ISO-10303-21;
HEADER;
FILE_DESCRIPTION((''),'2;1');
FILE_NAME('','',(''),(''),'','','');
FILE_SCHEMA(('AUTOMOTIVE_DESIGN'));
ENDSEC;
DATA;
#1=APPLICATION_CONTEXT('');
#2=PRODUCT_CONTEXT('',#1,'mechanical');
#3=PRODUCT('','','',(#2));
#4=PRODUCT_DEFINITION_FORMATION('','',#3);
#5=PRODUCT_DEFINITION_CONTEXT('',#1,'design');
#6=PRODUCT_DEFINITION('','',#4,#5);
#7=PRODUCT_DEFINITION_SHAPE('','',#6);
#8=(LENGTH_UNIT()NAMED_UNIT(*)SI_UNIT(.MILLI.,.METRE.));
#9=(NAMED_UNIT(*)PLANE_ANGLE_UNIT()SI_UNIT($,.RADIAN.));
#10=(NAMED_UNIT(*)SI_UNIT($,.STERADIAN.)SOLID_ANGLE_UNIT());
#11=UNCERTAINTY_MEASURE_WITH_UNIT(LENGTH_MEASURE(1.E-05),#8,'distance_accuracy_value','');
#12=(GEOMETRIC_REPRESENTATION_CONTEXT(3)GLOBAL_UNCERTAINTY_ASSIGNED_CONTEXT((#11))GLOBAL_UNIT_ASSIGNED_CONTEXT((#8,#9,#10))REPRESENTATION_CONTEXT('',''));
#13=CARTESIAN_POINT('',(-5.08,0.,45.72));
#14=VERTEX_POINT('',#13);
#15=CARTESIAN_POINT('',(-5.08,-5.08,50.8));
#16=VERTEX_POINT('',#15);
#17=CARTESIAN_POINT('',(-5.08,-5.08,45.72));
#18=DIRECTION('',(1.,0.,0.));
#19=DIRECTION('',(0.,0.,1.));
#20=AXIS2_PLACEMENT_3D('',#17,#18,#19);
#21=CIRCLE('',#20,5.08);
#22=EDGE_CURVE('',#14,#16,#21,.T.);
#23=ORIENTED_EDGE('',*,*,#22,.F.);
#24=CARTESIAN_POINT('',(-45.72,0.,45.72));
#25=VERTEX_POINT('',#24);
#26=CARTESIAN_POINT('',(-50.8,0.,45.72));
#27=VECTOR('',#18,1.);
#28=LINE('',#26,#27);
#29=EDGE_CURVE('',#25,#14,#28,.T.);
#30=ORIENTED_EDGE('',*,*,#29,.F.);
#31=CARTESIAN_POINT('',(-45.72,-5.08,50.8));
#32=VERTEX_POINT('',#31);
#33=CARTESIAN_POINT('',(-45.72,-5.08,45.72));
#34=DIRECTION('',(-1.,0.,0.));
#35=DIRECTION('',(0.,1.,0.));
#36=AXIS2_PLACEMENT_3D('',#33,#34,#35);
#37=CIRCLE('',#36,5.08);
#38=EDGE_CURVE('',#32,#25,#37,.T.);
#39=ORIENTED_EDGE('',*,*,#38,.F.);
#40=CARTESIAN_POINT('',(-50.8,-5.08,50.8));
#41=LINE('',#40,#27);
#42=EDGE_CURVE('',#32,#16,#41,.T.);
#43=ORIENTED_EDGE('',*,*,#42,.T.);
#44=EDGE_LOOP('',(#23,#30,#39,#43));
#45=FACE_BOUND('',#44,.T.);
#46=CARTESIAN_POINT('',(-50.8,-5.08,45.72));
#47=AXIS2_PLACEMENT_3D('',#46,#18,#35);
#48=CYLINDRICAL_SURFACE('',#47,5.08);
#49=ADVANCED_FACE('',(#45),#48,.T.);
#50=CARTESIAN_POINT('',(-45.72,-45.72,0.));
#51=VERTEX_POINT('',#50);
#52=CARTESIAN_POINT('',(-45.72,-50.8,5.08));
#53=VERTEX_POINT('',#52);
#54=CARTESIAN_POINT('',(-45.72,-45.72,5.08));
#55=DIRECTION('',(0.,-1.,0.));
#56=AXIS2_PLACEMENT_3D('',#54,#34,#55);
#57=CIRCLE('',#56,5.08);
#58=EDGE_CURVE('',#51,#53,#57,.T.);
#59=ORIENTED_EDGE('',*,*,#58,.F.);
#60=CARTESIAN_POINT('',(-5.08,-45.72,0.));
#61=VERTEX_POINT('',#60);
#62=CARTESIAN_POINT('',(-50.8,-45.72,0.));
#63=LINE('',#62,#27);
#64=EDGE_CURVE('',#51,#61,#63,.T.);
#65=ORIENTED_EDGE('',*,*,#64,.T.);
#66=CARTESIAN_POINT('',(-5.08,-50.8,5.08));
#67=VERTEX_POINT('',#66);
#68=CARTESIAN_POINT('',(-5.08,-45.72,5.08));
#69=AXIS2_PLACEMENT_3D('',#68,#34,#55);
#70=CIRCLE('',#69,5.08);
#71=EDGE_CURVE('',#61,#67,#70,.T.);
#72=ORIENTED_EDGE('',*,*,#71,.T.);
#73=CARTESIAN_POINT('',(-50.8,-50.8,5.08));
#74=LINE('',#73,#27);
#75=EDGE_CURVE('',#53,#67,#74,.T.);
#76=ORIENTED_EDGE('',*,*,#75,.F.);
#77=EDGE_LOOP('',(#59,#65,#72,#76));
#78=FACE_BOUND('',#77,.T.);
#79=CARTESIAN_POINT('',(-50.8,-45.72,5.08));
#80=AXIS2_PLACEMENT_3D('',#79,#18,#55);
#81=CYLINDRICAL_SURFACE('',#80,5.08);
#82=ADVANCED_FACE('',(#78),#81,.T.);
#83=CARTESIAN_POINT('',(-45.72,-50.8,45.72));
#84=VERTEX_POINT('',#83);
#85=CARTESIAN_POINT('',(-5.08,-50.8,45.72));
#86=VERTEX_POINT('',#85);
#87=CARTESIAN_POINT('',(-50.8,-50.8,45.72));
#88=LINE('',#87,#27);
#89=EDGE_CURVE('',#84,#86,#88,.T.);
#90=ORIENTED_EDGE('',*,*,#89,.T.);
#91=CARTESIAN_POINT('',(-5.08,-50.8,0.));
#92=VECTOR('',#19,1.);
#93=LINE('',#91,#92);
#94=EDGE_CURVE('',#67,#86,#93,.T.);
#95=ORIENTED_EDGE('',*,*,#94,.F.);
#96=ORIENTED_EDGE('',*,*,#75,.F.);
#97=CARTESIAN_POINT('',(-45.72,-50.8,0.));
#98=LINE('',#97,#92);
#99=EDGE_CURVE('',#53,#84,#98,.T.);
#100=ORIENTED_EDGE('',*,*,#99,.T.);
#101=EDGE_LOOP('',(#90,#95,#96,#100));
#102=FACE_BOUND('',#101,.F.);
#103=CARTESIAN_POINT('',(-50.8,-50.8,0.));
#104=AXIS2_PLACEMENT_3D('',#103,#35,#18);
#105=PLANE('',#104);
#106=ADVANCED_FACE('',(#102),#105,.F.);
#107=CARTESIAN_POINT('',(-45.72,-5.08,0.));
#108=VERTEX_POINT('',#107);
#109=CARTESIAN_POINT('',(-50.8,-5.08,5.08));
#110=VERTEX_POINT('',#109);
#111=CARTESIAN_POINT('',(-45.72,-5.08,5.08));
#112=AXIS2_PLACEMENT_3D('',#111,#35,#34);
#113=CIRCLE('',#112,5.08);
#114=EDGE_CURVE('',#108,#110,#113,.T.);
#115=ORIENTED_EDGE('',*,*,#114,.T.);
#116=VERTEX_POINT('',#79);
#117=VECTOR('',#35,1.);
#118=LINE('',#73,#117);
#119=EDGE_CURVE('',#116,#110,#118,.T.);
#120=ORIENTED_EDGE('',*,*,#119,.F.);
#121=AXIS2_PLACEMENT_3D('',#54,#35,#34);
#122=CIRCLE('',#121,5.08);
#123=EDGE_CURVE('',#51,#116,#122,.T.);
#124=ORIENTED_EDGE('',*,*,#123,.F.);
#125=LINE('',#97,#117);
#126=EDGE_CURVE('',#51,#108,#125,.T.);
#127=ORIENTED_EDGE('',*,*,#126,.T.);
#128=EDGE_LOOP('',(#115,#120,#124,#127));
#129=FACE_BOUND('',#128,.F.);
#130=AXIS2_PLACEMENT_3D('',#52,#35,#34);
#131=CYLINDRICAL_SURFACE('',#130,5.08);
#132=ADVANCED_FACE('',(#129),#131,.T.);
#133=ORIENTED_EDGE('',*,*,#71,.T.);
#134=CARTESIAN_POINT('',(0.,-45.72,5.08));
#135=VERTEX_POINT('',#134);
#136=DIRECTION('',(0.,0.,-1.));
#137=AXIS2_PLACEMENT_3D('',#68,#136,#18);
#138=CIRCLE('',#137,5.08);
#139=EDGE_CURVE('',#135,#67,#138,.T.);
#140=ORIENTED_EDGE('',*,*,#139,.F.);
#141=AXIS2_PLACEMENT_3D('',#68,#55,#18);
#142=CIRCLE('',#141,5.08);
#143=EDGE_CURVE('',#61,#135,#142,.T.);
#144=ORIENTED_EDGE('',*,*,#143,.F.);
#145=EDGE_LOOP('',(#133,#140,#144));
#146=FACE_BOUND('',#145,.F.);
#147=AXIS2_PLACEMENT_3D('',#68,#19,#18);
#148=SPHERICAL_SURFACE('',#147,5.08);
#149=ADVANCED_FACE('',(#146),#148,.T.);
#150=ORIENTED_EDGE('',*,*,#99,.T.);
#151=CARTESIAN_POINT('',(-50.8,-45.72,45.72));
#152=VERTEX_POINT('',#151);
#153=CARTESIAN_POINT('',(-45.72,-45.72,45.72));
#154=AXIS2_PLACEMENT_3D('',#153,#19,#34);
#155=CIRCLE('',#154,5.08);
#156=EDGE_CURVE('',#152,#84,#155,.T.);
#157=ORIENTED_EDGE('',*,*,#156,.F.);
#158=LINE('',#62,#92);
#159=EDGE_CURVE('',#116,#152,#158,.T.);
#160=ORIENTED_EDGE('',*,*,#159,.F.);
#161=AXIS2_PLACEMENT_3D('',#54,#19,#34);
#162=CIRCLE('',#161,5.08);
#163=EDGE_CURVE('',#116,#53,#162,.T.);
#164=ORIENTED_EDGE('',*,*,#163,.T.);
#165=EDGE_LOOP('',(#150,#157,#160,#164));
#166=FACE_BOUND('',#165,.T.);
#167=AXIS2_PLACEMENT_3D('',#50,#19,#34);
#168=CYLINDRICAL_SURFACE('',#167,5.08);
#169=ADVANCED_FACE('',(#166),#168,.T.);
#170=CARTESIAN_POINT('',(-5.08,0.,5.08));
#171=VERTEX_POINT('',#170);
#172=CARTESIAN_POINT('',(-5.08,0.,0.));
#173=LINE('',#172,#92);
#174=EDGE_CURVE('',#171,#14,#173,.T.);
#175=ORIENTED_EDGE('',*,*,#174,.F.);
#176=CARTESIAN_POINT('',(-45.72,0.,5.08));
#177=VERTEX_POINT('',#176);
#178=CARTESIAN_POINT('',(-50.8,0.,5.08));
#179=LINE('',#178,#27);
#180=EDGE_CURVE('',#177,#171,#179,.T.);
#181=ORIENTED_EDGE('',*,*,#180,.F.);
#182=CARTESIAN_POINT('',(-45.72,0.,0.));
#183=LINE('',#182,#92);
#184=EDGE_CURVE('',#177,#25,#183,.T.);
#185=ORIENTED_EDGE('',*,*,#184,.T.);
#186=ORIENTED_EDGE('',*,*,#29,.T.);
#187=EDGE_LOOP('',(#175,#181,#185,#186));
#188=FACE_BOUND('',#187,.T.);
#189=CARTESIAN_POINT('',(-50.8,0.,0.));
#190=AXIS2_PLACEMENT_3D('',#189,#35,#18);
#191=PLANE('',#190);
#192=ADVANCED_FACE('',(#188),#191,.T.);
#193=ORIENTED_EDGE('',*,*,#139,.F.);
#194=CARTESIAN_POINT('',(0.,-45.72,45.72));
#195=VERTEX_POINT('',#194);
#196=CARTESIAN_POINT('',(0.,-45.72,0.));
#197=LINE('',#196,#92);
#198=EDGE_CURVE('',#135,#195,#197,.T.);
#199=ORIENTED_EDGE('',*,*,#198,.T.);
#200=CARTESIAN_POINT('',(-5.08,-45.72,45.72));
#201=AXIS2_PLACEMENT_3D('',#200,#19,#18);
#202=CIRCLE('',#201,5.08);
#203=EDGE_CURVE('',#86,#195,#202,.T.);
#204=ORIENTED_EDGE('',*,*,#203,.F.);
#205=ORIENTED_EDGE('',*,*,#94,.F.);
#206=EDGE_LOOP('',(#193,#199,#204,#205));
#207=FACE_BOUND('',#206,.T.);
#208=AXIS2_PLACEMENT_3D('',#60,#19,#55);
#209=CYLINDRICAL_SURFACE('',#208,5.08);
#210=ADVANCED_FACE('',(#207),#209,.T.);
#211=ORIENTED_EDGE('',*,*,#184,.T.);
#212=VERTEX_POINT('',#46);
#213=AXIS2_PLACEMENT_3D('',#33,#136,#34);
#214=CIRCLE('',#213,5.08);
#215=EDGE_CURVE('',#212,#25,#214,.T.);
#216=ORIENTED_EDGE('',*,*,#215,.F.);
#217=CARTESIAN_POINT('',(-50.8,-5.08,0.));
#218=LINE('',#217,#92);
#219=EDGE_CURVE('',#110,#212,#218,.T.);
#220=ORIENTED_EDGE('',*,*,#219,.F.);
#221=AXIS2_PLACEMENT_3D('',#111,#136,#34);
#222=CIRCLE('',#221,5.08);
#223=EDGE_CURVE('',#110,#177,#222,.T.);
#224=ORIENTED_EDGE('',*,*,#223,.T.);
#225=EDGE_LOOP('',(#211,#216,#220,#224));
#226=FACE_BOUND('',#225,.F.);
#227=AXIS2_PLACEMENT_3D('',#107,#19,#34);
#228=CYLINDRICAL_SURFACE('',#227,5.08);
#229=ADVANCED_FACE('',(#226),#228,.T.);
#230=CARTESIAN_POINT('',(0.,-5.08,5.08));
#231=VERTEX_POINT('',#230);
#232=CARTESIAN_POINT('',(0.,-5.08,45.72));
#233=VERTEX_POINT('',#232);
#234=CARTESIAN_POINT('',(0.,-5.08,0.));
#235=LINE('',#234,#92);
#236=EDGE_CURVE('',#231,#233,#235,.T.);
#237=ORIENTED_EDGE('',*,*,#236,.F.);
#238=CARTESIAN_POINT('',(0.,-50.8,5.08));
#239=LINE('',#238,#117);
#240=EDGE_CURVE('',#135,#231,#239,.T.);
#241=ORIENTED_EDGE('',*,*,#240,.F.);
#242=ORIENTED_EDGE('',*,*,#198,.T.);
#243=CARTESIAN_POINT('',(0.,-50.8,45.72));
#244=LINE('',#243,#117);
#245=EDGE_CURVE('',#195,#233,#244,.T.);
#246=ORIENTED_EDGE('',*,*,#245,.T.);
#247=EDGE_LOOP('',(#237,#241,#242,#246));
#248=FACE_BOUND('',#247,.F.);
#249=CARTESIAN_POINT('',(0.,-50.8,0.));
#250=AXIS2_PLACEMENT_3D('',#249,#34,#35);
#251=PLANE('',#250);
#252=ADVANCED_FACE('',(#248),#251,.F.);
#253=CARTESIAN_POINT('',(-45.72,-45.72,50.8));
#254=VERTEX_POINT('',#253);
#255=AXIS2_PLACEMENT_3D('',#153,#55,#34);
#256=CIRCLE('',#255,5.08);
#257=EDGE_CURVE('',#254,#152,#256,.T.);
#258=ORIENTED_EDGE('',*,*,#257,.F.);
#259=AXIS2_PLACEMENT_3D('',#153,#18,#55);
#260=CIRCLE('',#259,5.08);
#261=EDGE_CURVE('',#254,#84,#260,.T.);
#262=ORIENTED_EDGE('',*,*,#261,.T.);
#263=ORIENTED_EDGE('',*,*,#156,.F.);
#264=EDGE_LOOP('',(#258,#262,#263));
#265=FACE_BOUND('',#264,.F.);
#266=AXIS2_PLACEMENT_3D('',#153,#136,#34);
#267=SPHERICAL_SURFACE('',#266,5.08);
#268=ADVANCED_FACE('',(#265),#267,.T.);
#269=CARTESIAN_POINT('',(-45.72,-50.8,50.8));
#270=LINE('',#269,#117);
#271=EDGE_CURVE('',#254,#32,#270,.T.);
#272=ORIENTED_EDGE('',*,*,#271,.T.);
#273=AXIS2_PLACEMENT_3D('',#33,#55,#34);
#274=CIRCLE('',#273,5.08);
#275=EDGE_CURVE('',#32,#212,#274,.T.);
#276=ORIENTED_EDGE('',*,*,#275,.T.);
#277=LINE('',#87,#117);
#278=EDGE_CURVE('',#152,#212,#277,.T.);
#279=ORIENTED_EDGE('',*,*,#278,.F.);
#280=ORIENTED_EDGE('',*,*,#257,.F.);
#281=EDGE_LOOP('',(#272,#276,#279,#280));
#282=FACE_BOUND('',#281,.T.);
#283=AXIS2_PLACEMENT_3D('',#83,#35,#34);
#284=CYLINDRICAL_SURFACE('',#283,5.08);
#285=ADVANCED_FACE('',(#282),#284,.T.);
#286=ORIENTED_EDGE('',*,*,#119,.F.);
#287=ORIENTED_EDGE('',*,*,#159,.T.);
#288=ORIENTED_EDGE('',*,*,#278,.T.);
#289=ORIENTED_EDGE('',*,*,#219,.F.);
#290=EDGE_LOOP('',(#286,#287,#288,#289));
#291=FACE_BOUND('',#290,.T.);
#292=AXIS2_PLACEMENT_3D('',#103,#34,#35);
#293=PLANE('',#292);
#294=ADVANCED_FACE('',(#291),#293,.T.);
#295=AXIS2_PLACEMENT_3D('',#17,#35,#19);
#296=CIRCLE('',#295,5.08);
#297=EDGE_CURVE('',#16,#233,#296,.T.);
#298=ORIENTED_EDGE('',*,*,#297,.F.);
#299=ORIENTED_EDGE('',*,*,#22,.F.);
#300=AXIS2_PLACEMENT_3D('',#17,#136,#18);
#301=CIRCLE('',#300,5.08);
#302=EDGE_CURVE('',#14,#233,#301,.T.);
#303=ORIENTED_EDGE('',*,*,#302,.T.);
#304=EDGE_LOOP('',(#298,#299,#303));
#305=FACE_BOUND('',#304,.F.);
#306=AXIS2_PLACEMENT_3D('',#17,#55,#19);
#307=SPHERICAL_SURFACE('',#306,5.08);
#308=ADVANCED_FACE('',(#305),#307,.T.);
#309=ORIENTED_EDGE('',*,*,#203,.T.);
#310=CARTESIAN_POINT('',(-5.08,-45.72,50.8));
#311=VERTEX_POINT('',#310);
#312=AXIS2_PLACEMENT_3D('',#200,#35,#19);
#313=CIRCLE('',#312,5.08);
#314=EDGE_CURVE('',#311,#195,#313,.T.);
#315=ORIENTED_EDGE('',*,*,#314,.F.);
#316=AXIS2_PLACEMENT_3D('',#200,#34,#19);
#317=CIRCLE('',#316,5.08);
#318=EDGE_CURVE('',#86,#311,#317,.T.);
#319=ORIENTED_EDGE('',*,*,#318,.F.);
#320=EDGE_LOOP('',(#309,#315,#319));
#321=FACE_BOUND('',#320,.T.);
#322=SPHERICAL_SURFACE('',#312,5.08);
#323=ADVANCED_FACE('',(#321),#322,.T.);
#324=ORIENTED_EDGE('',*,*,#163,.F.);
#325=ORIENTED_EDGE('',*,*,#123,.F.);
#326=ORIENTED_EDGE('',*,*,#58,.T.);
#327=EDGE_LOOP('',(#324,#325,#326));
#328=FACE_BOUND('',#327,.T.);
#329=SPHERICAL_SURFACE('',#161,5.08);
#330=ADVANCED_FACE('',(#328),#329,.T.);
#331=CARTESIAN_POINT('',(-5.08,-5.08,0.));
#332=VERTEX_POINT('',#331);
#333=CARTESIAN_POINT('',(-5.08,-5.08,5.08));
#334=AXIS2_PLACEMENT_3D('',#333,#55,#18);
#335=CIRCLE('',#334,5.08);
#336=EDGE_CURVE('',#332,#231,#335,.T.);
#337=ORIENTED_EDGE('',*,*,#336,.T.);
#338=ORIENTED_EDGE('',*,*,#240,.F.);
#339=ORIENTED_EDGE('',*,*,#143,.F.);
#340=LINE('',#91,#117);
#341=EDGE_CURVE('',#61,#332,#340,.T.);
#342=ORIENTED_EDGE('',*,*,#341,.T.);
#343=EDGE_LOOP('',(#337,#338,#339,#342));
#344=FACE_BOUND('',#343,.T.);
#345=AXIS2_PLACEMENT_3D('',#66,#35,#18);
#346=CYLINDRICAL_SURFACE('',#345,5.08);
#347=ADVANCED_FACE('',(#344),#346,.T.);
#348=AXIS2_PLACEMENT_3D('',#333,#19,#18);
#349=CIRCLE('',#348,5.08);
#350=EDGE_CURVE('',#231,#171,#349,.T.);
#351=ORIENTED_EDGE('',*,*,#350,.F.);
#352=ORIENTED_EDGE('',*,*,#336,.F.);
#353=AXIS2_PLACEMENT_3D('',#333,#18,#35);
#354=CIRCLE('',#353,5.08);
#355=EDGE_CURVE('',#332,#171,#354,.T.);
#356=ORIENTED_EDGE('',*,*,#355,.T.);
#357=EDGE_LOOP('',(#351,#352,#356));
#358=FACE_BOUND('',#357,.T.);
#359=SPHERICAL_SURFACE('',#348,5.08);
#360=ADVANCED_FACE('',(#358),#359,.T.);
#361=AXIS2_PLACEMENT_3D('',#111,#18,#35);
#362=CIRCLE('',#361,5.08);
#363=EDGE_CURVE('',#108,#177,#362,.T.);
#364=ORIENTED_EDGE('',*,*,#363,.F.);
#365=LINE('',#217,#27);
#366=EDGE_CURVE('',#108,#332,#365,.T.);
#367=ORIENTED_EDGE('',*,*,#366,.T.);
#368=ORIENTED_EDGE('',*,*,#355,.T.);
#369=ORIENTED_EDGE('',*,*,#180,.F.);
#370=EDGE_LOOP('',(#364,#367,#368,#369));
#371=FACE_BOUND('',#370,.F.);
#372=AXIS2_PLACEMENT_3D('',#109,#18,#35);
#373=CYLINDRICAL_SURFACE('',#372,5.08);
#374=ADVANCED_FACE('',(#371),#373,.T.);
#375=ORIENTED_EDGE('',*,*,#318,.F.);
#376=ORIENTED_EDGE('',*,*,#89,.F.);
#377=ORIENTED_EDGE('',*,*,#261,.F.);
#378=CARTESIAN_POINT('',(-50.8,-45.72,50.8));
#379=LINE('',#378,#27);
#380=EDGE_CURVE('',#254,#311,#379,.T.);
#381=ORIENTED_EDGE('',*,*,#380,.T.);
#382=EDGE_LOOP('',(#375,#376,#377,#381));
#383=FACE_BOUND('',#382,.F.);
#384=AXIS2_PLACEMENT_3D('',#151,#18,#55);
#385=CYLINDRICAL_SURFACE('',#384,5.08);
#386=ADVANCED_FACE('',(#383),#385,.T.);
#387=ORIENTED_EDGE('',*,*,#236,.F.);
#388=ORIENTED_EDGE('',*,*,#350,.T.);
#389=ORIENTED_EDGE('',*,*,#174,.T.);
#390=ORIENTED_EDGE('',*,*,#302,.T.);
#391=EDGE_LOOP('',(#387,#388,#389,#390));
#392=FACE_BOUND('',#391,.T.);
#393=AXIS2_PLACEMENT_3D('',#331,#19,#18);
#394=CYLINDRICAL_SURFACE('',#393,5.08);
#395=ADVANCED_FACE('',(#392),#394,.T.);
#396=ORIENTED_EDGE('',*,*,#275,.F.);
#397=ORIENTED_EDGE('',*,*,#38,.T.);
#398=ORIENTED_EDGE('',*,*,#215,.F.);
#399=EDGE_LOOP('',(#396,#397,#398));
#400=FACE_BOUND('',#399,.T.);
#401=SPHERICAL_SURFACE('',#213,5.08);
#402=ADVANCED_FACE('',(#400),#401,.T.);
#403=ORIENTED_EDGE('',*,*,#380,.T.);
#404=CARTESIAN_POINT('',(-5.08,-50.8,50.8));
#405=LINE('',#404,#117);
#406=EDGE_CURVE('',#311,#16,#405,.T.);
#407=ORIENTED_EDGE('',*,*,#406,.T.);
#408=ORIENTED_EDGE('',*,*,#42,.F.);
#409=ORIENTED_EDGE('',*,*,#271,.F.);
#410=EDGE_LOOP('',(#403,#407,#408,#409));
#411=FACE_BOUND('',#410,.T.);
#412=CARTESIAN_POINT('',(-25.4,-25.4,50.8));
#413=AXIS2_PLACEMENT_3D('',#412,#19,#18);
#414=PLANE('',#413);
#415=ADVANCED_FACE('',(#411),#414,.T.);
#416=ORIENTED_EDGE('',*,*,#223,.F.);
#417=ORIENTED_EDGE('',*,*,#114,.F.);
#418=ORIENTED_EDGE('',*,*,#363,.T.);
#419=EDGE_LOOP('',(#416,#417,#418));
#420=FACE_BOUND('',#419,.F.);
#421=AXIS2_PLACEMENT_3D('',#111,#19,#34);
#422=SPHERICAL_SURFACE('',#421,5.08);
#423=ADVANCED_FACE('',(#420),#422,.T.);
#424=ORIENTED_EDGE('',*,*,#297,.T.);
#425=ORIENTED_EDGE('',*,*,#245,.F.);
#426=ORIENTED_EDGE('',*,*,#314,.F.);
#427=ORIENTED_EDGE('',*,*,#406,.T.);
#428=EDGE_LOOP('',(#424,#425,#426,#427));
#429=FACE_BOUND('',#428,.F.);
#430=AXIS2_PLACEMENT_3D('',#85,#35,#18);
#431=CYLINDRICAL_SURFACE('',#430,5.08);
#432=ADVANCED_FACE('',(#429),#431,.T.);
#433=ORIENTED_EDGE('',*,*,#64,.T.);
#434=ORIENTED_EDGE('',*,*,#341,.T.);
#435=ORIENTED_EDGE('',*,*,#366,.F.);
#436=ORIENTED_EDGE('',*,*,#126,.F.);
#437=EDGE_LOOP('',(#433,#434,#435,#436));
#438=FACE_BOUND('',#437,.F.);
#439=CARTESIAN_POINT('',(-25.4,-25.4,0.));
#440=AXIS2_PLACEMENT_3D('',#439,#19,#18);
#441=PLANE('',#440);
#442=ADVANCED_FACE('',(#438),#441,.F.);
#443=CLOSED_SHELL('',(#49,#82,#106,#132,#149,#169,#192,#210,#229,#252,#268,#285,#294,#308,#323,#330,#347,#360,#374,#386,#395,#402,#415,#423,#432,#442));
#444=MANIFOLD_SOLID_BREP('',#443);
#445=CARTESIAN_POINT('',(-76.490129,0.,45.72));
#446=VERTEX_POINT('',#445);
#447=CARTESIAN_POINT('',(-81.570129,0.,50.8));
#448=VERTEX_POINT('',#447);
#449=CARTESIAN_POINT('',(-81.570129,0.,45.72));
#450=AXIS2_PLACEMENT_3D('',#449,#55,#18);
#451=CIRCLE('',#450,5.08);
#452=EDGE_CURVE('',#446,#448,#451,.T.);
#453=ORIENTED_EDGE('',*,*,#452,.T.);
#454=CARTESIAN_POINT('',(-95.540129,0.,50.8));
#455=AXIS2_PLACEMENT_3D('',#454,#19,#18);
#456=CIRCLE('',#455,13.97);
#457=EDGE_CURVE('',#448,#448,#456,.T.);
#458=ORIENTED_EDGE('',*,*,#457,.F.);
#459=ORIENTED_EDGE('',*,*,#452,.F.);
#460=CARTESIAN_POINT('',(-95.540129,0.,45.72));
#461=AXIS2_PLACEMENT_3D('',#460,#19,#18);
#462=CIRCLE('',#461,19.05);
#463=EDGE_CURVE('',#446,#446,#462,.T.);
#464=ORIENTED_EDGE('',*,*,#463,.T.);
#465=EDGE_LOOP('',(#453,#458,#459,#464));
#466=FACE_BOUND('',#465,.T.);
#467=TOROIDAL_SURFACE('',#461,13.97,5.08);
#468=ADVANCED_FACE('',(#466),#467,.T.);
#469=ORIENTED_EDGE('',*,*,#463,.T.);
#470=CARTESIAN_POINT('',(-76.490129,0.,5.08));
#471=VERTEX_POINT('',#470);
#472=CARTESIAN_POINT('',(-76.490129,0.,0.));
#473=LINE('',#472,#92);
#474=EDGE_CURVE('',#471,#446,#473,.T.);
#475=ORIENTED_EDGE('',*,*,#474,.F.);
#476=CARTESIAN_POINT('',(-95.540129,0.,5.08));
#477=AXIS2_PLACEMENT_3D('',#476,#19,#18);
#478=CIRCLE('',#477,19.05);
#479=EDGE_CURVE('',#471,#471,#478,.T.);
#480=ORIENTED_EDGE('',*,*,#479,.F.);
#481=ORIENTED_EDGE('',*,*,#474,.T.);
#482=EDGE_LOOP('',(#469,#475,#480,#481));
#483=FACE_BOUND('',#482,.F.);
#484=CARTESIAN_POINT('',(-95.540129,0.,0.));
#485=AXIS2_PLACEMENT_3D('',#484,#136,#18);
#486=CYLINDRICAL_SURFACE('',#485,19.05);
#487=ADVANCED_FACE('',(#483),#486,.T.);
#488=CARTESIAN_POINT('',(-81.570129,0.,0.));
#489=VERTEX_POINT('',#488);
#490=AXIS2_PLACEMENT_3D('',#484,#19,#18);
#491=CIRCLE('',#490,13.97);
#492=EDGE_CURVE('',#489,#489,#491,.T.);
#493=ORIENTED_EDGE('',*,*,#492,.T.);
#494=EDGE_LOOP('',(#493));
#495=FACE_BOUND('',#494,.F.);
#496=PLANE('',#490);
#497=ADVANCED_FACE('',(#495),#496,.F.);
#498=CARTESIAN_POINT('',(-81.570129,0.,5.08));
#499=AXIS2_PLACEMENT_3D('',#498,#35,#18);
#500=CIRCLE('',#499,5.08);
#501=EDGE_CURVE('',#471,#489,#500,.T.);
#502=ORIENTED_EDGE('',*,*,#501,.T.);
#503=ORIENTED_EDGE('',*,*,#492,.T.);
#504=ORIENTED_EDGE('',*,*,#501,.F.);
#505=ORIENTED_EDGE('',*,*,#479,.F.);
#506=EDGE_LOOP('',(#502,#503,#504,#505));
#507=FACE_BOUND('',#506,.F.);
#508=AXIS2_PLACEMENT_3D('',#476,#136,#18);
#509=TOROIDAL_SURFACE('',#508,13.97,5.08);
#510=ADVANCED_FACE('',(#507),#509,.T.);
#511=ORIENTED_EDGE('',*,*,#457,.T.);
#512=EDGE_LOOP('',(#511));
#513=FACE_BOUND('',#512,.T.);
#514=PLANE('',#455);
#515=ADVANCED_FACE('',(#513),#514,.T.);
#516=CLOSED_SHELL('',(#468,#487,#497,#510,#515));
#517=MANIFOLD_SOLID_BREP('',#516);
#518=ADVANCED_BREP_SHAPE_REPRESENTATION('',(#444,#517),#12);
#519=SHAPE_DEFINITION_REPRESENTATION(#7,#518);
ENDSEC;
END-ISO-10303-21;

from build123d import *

# Parameters (mm, degrees)
F0_W     = 50.8
F0_H     = 50.8
F0_R     = 19.05
F1_DEPTH = 50.8
F2_R     = 5.08


with BuildPart() as f1:
    # F0 (on Top) → F1 (new body)
    with BuildSketch(Plane.XY):
        with Locations((-25.4, -25.4)):
            Rectangle(F0_W, F0_H)
        with Locations((-95.540129, 0)):
            Circle(F0_R)
    extrude(amount=F1_DEPTH)

    # F2
    f2_edges = [f1.edges().sort_by_distance(p)[0] for p in [
        (-114.590129, 0, 50.8),
        (-50.8, 0, 25.4),
        (-50.8, -50.8, 25.4),
        (-50.8, -25.4, 0),
        (-50.8, -25.4, 50.8),
        (0, -25.4, 50.8),
        (-25.4, 0, 50.8),
        (-25.4, -50.8, 50.8),
        (0, -50.8, 25.4),
        (0, 0, 25.4),
        (0, -25.4, 0),
        (-25.4, -50.8, 0),
        (-25.4, 0, 0),
        (-114.590129, 0, 0),
    ]]
    fillet(f2_edges, radius=F2_R)


solid = f1.part
